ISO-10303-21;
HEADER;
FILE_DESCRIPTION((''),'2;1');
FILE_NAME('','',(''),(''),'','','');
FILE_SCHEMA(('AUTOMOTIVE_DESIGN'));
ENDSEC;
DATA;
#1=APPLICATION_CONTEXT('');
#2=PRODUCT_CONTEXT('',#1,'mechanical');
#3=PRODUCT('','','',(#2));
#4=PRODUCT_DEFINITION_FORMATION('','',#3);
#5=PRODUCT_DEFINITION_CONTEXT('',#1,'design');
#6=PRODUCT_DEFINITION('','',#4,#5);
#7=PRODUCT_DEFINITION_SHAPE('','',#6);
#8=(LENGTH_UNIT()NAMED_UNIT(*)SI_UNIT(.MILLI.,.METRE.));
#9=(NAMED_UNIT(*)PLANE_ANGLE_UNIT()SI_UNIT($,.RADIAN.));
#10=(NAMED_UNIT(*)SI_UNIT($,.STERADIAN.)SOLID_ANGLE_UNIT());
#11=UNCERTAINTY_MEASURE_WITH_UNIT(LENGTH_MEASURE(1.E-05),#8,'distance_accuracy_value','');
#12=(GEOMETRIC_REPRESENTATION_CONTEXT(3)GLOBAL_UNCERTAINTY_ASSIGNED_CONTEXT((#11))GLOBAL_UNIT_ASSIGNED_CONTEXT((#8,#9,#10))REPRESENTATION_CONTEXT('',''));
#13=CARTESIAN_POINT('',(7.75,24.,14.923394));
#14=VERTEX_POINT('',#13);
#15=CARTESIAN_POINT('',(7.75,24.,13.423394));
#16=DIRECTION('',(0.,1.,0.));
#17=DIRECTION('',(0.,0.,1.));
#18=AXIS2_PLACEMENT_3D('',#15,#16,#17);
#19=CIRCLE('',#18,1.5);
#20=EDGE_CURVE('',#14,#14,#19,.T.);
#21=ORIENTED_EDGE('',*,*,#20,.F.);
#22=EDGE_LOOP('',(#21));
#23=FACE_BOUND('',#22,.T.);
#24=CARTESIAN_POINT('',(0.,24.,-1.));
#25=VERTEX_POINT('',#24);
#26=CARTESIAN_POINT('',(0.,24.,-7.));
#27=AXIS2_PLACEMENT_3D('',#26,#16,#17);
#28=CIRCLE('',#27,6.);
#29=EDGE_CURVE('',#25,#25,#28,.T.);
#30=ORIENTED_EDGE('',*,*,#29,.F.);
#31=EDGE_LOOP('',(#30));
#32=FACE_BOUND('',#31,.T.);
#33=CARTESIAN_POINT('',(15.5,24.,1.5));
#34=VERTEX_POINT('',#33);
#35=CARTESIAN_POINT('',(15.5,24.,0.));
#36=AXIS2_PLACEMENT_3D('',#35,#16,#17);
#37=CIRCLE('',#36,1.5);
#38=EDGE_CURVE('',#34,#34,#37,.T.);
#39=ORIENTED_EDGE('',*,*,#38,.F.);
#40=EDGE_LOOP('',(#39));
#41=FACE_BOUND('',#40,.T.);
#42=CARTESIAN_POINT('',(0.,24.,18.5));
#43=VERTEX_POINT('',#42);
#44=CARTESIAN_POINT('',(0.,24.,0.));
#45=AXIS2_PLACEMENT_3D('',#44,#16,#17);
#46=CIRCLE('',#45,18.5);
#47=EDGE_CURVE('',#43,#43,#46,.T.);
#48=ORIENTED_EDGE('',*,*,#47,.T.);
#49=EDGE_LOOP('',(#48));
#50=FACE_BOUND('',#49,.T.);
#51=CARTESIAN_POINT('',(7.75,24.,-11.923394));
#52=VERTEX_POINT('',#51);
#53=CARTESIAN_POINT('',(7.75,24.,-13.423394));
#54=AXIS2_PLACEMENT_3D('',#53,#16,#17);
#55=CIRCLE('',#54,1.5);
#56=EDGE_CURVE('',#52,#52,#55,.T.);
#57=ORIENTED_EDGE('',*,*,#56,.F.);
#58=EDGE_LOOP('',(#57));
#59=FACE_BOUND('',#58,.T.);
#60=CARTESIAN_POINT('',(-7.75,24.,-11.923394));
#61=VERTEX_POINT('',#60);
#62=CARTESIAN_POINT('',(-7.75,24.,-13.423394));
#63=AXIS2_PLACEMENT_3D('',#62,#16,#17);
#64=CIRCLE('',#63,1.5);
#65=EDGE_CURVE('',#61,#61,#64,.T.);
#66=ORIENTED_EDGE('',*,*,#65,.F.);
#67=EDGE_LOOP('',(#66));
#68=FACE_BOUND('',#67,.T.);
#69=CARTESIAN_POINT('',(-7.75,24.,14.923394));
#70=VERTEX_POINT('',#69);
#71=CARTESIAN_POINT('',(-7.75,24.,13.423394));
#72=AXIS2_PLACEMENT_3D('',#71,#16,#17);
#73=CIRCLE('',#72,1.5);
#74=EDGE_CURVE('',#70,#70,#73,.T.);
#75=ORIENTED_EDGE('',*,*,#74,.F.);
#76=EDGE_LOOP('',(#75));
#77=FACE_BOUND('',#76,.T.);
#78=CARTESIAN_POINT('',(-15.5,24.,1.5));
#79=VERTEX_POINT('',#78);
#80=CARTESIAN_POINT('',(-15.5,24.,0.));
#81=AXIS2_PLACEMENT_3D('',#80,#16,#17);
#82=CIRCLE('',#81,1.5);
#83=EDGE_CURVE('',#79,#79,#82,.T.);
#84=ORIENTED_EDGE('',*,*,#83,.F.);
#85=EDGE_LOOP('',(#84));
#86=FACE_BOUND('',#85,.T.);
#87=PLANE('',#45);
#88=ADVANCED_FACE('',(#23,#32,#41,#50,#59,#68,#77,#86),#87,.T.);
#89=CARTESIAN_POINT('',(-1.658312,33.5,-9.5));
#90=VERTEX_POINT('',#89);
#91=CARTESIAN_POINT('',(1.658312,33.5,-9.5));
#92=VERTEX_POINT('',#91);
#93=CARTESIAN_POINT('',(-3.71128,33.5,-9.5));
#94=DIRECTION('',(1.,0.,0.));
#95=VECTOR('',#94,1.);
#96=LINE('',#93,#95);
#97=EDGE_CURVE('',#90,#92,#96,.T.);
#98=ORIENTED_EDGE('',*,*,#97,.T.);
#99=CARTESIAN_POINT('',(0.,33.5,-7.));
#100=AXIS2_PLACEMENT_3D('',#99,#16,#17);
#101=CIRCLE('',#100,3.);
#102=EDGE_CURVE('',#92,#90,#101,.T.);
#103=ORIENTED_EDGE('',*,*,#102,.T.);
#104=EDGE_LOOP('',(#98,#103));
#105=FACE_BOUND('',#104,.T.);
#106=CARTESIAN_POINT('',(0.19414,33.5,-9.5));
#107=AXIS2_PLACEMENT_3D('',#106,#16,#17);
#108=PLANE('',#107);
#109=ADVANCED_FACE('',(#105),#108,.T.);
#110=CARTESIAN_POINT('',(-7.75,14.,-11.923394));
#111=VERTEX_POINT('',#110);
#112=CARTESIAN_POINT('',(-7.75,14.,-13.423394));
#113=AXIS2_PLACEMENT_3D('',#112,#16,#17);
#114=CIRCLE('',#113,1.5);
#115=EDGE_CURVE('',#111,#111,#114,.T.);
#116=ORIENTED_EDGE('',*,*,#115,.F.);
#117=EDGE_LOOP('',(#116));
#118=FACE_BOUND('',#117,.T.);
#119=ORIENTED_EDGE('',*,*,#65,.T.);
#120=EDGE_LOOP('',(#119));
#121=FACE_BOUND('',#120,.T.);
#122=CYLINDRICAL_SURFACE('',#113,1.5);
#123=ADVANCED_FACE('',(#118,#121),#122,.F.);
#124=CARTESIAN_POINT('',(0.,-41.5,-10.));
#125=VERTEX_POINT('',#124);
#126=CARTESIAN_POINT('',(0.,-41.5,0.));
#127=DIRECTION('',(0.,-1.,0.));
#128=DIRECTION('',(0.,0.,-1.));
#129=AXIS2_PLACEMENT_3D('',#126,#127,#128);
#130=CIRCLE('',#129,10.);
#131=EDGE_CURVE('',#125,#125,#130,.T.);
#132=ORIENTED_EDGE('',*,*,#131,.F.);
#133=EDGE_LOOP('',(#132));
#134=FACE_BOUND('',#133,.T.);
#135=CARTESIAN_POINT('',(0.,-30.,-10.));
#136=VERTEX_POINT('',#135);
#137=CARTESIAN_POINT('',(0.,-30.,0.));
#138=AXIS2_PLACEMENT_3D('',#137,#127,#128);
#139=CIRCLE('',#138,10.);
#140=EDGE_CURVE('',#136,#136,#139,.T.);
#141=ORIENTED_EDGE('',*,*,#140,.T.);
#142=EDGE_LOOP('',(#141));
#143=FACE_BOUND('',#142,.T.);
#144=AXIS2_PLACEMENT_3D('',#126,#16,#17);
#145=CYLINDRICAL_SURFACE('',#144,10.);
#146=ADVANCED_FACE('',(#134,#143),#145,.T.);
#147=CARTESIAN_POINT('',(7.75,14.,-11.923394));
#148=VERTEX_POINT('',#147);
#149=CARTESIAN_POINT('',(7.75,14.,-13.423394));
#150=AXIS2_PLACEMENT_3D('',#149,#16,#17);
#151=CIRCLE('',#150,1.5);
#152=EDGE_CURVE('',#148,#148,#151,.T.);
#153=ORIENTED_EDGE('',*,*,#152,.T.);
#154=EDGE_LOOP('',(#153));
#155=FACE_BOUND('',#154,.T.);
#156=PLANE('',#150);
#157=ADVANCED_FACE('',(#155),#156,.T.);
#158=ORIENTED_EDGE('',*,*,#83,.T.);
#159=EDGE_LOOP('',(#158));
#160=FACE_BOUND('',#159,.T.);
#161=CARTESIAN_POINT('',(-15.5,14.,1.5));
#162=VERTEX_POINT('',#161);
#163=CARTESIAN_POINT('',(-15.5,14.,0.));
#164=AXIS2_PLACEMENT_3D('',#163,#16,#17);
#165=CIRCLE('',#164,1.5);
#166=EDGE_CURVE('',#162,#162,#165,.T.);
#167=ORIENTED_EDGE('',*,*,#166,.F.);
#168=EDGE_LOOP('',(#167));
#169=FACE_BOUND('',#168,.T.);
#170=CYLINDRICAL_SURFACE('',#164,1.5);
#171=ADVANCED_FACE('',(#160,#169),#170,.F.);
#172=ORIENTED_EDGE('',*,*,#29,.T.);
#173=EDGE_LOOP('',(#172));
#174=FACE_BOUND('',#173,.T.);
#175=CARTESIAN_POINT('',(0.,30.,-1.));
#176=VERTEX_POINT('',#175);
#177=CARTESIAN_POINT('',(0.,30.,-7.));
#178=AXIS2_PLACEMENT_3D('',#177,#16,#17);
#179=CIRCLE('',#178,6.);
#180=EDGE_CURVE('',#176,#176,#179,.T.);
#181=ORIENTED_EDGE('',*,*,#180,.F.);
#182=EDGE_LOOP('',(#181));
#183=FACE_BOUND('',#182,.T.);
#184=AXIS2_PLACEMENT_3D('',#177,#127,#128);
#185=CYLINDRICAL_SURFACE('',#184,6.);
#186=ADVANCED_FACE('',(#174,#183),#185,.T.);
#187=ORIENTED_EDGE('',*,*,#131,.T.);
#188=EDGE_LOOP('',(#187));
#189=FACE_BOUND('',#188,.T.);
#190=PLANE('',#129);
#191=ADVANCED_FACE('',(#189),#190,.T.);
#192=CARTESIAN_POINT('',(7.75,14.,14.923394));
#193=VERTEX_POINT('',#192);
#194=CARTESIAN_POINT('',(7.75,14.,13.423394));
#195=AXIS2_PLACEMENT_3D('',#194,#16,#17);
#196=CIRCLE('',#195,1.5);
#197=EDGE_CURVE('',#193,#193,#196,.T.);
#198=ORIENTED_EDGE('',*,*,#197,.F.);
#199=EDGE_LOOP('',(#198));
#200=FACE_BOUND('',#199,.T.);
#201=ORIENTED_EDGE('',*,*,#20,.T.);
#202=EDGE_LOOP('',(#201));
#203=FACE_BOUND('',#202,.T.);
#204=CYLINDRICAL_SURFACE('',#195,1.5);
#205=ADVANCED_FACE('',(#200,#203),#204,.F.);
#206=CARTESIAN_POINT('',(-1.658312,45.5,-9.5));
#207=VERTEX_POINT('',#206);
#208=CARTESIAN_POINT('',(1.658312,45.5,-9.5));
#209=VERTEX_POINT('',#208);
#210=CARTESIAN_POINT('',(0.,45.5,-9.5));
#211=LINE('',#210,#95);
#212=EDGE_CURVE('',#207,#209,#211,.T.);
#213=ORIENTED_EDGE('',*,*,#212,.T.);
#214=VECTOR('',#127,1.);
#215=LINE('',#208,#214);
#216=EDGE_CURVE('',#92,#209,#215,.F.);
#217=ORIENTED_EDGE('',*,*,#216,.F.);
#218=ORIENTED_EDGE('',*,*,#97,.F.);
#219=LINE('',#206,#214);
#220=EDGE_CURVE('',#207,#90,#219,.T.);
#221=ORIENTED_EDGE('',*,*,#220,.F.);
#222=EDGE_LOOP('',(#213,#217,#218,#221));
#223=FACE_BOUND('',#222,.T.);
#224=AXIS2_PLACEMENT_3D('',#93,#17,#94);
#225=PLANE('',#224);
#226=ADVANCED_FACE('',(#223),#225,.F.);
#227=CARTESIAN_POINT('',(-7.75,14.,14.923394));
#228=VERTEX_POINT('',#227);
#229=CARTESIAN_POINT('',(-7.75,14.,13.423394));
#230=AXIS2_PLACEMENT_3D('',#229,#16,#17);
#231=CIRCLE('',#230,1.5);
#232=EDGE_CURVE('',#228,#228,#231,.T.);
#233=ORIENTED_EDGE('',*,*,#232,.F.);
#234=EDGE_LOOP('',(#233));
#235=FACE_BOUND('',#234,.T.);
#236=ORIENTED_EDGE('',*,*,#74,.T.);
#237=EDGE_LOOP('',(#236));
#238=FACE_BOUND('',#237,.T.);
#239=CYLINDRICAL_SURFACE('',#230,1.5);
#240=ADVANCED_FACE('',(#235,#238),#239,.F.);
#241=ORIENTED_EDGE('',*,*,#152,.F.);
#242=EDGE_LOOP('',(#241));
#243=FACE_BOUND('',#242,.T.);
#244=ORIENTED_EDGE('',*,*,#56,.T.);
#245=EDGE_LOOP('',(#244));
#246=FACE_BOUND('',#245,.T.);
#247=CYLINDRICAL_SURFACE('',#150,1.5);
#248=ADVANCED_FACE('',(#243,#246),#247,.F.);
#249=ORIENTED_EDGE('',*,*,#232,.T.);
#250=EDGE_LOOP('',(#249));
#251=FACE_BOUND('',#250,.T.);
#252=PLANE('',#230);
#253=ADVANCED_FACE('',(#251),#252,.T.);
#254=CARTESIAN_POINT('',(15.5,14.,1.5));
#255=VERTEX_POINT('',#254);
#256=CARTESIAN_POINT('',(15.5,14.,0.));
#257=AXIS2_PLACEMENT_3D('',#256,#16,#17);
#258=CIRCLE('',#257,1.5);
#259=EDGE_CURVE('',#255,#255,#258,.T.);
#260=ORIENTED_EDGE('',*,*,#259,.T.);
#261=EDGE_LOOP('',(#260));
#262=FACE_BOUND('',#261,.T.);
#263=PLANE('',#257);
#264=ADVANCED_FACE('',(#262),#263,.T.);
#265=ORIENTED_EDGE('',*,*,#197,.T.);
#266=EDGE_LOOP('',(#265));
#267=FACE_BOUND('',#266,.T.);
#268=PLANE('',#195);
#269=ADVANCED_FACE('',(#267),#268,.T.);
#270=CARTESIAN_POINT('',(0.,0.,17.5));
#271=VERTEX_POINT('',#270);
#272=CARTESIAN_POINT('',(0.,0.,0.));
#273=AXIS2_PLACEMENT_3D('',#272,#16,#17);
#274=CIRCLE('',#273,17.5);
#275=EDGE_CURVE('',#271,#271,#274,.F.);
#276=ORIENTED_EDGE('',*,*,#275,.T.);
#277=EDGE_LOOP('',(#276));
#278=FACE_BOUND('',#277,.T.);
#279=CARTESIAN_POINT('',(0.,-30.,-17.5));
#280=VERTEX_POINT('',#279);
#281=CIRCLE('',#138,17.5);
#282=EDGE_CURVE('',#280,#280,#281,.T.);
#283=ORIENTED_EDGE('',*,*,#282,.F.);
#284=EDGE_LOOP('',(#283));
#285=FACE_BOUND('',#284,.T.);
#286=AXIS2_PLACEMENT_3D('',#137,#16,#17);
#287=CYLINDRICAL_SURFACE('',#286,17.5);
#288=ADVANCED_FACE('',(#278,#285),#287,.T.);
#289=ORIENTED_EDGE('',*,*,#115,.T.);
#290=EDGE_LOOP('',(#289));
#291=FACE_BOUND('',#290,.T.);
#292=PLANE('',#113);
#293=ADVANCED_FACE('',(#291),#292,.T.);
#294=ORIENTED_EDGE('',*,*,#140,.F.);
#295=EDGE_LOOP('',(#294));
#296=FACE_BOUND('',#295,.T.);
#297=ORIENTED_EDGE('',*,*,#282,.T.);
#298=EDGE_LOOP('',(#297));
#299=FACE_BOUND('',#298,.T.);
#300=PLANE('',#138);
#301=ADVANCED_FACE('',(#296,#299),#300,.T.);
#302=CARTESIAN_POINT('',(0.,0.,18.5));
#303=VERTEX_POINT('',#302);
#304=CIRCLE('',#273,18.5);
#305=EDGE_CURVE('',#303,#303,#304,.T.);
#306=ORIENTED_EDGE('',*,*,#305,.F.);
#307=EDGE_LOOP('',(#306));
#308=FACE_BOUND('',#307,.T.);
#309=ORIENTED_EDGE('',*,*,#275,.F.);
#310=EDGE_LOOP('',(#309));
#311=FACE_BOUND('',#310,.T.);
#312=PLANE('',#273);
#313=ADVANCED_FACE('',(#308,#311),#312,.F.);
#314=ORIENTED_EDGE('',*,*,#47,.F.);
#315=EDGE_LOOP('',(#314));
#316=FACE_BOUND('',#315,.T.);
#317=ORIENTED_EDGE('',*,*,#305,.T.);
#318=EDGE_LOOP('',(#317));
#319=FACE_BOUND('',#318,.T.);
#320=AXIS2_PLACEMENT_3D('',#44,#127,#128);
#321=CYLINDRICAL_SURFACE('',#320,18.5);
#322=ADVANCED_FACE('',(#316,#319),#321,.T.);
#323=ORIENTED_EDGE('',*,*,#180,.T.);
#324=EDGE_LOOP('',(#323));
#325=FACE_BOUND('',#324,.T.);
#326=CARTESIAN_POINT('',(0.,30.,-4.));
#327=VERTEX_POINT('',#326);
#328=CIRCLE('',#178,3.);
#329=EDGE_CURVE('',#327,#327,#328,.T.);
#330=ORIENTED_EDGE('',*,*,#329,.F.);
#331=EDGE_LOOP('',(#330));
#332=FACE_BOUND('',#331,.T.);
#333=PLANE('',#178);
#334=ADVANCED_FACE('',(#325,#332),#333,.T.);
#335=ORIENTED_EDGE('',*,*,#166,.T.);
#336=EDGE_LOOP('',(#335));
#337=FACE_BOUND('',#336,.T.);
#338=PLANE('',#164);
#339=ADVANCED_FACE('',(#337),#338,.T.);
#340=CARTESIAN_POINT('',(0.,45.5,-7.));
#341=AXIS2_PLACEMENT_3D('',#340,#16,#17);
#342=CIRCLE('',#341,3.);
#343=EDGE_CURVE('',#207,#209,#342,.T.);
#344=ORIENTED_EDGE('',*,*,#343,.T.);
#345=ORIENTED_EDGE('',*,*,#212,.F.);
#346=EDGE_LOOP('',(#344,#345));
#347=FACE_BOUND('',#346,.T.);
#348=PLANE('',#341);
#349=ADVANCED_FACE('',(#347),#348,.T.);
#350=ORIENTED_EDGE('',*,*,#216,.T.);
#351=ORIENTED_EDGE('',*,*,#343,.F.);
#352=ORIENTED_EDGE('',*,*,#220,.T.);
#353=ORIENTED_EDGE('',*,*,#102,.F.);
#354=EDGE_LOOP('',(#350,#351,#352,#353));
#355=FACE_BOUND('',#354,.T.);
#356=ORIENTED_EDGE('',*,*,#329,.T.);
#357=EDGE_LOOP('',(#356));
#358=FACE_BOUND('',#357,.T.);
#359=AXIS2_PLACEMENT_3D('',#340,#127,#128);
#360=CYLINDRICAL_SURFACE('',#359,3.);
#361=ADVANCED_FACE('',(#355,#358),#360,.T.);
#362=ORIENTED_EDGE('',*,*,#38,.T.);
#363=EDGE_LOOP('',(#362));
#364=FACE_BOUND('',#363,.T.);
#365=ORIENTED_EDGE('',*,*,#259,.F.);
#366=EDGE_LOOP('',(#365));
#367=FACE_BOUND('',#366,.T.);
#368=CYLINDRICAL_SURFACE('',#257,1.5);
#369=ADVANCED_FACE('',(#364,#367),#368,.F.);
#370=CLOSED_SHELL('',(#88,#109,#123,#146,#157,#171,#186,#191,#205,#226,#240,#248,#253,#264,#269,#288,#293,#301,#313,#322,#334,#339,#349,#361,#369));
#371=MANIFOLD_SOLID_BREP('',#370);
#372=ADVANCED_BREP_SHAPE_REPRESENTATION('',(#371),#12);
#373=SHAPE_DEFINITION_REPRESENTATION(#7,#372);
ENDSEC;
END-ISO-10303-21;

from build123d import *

# Parameters (mm, degrees)
SKETCH_1_R          = 18.5
EXTRUDE_1_DEPTH     = 24
SKETCH_2_R          = 6
EXTRUDE_2_DEPTH     = 6
SKETCH_3_R          = 3
EXTRUDE_3_DEPTH     = 15.5
SKETCH_4_R          = 17.5
EXTRUDE_4_DEPTH     = 30
SKETCH_5_R          = 10
EXTRUDE_6_DEPTH     = 11.5
CUT_EXTRUDE_1_DEPTH = 12
SKETCH_7_R          = 1.5
CUT_EXTRUDE_2_DEPTH = 10


with BuildPart() as part:
    # 草图1 → 凸台-拉伸1 (new body)
    with BuildSketch(Plane(origin=(0, 0, 0), x_dir=(1, 0, 0), z_dir=(0, 1, 0))):
        with Locations(Location((0, 0, 0), (0, 0, 270))):
            Circle(SKETCH_1_R)
    extrude(amount=EXTRUDE_1_DEPTH)

    # 草图2 → 凸台-拉伸2 (add)
    with BuildSketch(Plane(origin=(0, 24, 0), x_dir=(1, 0, 0), z_dir=(0, 1, 0))):
        with Locations(Location((0, 7, 0), (0, 0, 270))):
            Circle(SKETCH_2_R)
    extrude(amount=EXTRUDE_2_DEPTH)

    # 草图3 → 凸台-拉伸3 (add)
    with BuildSketch(Plane(origin=(0, 30, 0), x_dir=(1, 0, 0), z_dir=(0, 1, 0))):
        with Locations(Location((0, 7, 0), (0, 0, 270))):
            Circle(SKETCH_3_R)
    extrude(amount=EXTRUDE_3_DEPTH)

    # 草图4 → 凸台-拉伸4 (add)
    with BuildSketch(Plane.XZ):
        with Locations(Location((0, 0, 0), (0, 0, 90))):
            Circle(SKETCH_4_R)
    extrude(amount=EXTRUDE_4_DEPTH)

    # 草图5 → 凸台-拉伸6 (add)
    with BuildSketch(Plane.XZ.offset(30)):
        with Locations(Location((0, 0, 0), (0, 0, 270))):
            Circle(SKETCH_5_R)
    extrude(amount=EXTRUDE_6_DEPTH)

    # 草图6 → 切除-拉伸1 (cut)
    with BuildSketch(Plane(origin=(0, 45.5, 0), x_dir=(1, 0, 0), z_dir=(0, 1, 0))):
        with BuildLine():
            Line((-3.711279789, 9.5), (4.099560016, 9.5))
            ThreePointArc((4.099560016, 9.5), (0.194140114, 13.405419903), (-3.711279789, 9.5))
        make_face()
    extrude(amount=-CUT_EXTRUDE_1_DEPTH, mode=Mode.SUBTRACT)

    # 草图7 → 切除-拉伸2 (cut)
    with BuildSketch(Plane(origin=(0, 24, 0), x_dir=(1, 0, 0), z_dir=(0, 1, 0))):
        with Locations(Location((-15.5, 0, 0), (0, 0, 270))):
            Circle(SKETCH_7_R)
        with Locations(Location((-7.75, 13.423393759, 0), (0, 0, 270))):
            Circle(SKETCH_7_R)
        with Locations(Location((7.75, 13.423393759, 0), (0, 0, 270))):
            Circle(SKETCH_7_R)
        with Locations(Location((15.5, 0, 0), (0, 0, 270))):
            Circle(SKETCH_7_R)
        with Locations(Location((7.75, -13.423393759, 0), (0, 0, 270))):
            Circle(SKETCH_7_R)
        with Locations(Location((-7.75, -13.423393759, 0), (0, 0, 270))):
            Circle(SKETCH_7_R)
    extrude(amount=-CUT_EXTRUDE_2_DEPTH, mode=Mode.SUBTRACT)


solid = part.part
